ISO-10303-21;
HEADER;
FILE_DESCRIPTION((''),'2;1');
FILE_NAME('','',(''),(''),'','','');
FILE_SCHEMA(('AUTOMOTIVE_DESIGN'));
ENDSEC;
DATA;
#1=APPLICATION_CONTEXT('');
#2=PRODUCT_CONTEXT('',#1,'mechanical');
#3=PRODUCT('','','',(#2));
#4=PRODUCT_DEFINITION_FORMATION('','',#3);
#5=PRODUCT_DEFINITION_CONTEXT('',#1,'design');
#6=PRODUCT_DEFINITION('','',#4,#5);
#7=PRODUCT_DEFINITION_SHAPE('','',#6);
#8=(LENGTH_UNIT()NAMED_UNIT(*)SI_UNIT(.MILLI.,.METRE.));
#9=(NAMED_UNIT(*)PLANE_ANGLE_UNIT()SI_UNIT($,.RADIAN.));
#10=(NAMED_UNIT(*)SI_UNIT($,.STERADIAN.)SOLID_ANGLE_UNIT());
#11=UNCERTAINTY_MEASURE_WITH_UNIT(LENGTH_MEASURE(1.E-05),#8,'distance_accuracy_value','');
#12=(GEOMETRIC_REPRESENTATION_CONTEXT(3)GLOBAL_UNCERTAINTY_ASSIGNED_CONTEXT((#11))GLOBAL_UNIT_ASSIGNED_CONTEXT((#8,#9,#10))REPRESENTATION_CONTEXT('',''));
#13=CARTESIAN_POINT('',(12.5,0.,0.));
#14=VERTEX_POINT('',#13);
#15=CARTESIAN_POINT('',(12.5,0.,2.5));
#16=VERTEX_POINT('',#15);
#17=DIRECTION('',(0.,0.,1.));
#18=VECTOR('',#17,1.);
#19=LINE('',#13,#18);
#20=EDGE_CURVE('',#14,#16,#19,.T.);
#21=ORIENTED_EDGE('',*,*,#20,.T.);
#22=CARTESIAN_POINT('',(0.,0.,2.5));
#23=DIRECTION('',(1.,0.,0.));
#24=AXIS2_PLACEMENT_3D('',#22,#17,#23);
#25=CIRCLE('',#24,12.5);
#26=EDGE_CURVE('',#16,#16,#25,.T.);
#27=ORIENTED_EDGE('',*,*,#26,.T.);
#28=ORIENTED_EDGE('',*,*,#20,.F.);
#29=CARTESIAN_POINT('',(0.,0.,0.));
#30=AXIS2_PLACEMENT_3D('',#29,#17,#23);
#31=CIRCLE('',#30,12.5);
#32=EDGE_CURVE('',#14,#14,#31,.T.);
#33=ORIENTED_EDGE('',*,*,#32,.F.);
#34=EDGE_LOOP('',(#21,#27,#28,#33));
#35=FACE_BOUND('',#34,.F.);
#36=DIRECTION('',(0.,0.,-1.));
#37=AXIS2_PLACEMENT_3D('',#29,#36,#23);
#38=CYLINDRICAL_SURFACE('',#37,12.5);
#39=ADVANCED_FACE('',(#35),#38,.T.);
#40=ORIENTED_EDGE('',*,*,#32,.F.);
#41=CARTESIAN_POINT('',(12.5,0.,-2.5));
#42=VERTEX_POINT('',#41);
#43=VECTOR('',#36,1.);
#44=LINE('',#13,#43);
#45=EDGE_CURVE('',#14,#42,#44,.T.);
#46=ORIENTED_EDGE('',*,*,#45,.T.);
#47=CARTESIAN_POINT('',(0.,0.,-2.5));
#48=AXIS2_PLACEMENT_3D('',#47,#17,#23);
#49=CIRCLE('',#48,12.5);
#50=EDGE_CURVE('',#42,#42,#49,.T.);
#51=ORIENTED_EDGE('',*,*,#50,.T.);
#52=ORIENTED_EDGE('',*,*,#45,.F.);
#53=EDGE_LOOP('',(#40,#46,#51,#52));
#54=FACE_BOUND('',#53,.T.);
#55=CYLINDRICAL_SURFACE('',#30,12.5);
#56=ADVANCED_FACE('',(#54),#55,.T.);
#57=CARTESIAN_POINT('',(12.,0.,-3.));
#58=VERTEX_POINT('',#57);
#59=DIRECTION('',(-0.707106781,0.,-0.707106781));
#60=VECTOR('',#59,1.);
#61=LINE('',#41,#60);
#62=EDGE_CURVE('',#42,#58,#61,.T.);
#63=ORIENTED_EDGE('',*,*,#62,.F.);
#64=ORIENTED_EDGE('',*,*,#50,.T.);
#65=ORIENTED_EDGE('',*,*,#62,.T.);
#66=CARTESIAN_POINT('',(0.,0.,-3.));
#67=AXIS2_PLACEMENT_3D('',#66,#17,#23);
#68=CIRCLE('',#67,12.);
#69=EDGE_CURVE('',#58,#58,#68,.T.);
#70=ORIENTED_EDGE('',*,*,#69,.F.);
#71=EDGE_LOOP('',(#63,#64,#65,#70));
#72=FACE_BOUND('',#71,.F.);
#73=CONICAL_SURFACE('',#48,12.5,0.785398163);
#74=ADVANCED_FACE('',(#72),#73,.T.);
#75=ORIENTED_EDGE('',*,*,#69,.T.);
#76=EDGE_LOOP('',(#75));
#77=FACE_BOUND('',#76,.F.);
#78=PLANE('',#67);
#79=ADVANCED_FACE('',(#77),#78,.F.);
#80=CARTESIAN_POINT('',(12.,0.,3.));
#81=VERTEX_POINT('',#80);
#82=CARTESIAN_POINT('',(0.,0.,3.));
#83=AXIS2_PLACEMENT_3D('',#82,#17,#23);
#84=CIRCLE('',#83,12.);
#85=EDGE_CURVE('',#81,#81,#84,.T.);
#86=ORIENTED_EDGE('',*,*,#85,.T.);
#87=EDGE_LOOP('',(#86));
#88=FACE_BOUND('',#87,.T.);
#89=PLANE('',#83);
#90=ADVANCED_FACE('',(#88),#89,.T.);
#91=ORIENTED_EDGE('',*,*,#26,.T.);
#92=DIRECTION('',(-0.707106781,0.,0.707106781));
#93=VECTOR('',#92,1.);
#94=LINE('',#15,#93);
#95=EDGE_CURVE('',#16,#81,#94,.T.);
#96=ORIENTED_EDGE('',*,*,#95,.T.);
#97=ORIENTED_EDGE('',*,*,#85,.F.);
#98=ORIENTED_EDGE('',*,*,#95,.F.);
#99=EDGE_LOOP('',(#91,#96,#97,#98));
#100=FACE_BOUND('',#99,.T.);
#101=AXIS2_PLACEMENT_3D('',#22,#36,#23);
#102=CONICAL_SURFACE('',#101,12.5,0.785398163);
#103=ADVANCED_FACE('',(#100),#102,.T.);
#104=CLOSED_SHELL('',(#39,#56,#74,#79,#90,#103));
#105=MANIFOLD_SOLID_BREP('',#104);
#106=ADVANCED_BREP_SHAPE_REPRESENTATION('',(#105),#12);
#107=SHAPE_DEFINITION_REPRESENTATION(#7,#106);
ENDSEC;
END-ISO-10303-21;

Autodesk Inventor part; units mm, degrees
ref_plane "YZ Plane" through (0, 0, 0) normal (1, 0, 0) x (0, 1, 0)
ref_plane "XZ Plane" through (0, 0, 0) normal (0, 1, 0) x (-1, 0, 0)
ref_plane "XY Plane" through (0, 0, 0) normal (0, 0, 1) x (1, 0, 0)
sketch "Sketch1" plane through (0, 0, 0) normal (0, 0, 1) x (1, 0, 0)
  circle A0 centre (0, 0) radius 12.5
  dimension "d0" = 25
extrude "Extrusion1" add sketch "Sketch1" along normal mid plane 6
chamfer "Chamfer1" distance 0.5 angle 45 2 edges at (-12.5, 0, 3) (-12.5, 0, -3)
properties part number "Half Wave Plate"
